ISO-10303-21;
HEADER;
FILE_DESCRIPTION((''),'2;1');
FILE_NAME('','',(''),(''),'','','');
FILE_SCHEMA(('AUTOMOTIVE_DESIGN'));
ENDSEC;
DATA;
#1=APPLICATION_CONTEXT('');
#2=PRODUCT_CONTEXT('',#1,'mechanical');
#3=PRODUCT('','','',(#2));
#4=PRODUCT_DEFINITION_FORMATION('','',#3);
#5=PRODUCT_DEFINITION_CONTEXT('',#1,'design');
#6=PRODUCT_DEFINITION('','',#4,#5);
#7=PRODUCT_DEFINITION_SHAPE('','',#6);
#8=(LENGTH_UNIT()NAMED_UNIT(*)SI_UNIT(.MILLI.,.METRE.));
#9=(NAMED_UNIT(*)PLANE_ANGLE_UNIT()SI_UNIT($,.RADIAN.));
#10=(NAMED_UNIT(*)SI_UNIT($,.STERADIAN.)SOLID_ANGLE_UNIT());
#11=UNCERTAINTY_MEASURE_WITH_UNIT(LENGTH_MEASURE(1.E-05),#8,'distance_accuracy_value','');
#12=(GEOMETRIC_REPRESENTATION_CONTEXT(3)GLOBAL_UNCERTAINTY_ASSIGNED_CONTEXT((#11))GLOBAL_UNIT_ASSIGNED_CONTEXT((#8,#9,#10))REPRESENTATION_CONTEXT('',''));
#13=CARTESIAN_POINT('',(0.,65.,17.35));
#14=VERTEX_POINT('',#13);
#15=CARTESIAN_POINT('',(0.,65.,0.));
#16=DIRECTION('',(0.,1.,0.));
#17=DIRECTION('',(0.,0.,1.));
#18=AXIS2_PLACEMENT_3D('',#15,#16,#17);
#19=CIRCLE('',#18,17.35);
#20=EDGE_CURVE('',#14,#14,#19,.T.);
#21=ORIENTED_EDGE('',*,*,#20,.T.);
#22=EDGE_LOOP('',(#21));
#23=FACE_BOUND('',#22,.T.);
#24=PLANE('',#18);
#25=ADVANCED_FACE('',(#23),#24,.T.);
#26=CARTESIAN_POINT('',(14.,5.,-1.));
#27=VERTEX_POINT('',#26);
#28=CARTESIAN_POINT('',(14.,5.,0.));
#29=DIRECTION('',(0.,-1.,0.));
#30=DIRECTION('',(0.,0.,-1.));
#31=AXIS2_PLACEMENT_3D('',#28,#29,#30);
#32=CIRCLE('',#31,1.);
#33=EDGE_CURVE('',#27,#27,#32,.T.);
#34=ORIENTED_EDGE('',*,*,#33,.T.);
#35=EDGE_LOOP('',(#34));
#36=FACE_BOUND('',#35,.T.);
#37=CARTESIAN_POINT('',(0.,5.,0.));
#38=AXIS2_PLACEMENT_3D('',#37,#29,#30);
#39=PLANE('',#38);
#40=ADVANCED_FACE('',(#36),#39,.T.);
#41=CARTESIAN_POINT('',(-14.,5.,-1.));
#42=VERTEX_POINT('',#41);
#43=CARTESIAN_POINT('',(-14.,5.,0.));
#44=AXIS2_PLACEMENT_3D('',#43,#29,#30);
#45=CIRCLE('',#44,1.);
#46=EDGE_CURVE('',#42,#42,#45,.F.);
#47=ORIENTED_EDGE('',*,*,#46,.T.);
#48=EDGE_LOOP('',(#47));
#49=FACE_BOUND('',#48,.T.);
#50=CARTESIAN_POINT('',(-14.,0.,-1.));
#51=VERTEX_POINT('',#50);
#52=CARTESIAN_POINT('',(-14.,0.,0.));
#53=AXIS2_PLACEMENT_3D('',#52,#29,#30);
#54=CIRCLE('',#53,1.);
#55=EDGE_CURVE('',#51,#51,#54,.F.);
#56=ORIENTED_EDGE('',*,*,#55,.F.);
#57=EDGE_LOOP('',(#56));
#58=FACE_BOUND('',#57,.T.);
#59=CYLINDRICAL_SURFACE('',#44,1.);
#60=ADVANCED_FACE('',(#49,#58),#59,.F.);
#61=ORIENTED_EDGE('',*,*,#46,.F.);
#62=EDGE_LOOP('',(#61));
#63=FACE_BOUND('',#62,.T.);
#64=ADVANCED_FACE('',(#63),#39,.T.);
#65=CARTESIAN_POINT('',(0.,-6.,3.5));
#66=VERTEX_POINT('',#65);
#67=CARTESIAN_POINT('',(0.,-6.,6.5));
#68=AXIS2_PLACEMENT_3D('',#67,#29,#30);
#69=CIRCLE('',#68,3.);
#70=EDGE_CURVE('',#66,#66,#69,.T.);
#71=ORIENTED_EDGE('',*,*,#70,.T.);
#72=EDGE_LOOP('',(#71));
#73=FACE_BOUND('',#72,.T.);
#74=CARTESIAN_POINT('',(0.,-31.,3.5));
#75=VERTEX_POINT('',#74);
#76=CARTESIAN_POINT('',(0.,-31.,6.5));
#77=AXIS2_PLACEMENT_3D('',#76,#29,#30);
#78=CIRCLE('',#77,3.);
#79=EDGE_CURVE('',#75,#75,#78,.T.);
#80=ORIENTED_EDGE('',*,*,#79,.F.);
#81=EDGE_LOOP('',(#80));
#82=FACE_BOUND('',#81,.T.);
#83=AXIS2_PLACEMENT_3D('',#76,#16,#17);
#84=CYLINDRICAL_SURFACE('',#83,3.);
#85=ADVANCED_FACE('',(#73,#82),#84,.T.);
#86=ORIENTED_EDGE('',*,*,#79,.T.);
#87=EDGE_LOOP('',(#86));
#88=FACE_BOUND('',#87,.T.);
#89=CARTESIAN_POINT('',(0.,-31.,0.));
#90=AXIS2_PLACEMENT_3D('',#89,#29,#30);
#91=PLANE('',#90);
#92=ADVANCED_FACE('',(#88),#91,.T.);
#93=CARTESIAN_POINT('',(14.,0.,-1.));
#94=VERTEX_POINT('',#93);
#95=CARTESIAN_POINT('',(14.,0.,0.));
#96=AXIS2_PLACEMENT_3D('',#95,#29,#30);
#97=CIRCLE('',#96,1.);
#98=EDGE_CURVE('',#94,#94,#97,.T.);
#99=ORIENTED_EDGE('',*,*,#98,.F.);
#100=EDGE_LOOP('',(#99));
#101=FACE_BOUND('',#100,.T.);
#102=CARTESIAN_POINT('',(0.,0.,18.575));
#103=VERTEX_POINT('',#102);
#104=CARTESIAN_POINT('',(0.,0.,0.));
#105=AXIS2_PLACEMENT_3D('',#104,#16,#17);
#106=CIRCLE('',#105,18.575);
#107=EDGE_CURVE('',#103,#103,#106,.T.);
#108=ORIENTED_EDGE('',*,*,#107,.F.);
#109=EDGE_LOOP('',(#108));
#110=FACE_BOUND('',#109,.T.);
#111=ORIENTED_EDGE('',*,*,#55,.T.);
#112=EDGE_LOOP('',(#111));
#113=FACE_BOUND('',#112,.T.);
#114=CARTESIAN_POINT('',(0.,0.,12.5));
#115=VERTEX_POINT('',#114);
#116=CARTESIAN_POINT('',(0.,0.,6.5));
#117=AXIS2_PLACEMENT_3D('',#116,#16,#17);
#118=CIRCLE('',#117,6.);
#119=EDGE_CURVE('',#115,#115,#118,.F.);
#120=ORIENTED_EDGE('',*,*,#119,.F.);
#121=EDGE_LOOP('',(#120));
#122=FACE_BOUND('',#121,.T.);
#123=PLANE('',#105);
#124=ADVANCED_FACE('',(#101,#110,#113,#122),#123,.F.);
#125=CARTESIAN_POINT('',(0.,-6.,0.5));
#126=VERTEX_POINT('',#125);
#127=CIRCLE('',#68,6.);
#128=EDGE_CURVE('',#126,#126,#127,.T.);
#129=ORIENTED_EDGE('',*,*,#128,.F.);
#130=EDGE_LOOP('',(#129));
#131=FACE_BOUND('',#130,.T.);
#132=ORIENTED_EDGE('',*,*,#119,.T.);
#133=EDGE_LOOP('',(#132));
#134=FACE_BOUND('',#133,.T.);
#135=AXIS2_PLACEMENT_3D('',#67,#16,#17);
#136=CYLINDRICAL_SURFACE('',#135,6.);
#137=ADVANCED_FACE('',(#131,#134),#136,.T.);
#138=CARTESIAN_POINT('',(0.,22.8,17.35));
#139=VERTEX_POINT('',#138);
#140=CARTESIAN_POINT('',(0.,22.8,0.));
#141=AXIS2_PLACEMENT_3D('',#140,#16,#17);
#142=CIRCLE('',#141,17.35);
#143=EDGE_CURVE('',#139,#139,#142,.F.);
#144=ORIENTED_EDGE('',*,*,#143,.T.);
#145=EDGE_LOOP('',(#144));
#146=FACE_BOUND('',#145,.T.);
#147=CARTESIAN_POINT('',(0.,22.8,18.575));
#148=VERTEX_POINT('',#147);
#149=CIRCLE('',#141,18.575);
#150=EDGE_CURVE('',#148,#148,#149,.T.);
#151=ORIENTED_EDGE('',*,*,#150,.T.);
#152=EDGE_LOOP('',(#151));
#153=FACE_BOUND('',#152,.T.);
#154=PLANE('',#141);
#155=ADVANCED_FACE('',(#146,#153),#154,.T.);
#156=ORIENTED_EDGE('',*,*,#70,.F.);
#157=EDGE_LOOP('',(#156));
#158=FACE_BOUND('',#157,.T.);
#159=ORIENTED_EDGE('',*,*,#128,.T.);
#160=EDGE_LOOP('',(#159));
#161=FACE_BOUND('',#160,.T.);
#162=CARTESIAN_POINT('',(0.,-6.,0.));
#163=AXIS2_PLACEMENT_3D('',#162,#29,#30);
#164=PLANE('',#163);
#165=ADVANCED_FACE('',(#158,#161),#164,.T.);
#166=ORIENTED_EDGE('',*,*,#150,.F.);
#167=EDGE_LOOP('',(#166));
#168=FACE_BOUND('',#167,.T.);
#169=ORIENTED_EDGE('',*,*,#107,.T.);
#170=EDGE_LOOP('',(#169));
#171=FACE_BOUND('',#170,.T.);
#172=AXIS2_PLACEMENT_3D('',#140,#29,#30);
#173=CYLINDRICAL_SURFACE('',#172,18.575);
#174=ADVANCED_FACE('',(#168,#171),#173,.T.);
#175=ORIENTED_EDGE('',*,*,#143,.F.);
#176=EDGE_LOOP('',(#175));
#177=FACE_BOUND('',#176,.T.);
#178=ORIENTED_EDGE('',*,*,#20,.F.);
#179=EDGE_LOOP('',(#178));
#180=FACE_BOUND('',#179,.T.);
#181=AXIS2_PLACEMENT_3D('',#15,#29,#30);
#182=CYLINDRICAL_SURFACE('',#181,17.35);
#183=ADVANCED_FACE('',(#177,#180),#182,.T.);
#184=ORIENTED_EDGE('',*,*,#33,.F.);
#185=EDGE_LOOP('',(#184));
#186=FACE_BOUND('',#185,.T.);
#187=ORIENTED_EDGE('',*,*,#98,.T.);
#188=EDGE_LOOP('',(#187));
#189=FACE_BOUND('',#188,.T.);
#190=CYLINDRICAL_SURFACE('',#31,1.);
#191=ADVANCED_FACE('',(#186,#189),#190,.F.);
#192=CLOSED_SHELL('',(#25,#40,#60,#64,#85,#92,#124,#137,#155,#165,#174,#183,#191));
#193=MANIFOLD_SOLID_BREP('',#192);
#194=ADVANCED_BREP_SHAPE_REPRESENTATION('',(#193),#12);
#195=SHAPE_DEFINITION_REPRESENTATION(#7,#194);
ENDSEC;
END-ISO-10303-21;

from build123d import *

# Parameters (mm, degrees)
SKETCH_1_R            = 18.575
GEAR_BOX_DEPTH        = 22.8
SKETCH_1_3_R          = 17.35
MOTOR_DEPTH           = 65
SKETCH_2_R            = 6
SKETCH_2_R_2          = 3
CU_BEARING_DEPTH      = 6
SKETCH_2_3_R          = 3
F_6MMSHAFT_DEPTH      = 31
SKETCH_2_4_R          = 1
M2_TAPPING_HOLE_DEPTH = 5


with BuildPart() as part:
    # 草图1 → gear box (new body)
    with BuildSketch(Plane(origin=(0, 0, 0), x_dir=(1, 0, 0), z_dir=(0, 1, 0))):
        Circle(SKETCH_1_R)
    extrude(amount=GEAR_BOX_DEPTH)

    # 草图1<3> → motor (add)
    with BuildSketch(Plane(origin=(0, 0, 0), x_dir=(1, 0, 0), z_dir=(0, 1, 0))):
        Circle(SKETCH_1_3_R)
    extrude(amount=MOTOR_DEPTH)

    # 草图2 → Cu bearing (add)
    with BuildSketch(Plane.XZ):
        with Locations((0, 6.5)):
            Circle(SKETCH_2_R)
        with Locations((0, 6.5)):
            Circle(SKETCH_2_R_2, mode=Mode.SUBTRACT)
    extrude(amount=CU_BEARING_DEPTH)

    # 草图2<3> → 6mmshaft (add)
    with BuildSketch(Plane.XZ):
        with Locations((0, 6.5)):
            Circle(SKETCH_2_3_R)
    extrude(amount=F_6MMSHAFT_DEPTH)

    # 草图2<4> → M2 tapping hole (cut)
    with BuildSketch(Plane.XZ):
        with Locations((14, 0)):
            Circle(SKETCH_2_4_R)
        with Locations((-14, 0)):
            Circle(SKETCH_2_4_R)
    extrude(amount=-M2_TAPPING_HOLE_DEPTH, mode=Mode.SUBTRACT)


solid = part.part
